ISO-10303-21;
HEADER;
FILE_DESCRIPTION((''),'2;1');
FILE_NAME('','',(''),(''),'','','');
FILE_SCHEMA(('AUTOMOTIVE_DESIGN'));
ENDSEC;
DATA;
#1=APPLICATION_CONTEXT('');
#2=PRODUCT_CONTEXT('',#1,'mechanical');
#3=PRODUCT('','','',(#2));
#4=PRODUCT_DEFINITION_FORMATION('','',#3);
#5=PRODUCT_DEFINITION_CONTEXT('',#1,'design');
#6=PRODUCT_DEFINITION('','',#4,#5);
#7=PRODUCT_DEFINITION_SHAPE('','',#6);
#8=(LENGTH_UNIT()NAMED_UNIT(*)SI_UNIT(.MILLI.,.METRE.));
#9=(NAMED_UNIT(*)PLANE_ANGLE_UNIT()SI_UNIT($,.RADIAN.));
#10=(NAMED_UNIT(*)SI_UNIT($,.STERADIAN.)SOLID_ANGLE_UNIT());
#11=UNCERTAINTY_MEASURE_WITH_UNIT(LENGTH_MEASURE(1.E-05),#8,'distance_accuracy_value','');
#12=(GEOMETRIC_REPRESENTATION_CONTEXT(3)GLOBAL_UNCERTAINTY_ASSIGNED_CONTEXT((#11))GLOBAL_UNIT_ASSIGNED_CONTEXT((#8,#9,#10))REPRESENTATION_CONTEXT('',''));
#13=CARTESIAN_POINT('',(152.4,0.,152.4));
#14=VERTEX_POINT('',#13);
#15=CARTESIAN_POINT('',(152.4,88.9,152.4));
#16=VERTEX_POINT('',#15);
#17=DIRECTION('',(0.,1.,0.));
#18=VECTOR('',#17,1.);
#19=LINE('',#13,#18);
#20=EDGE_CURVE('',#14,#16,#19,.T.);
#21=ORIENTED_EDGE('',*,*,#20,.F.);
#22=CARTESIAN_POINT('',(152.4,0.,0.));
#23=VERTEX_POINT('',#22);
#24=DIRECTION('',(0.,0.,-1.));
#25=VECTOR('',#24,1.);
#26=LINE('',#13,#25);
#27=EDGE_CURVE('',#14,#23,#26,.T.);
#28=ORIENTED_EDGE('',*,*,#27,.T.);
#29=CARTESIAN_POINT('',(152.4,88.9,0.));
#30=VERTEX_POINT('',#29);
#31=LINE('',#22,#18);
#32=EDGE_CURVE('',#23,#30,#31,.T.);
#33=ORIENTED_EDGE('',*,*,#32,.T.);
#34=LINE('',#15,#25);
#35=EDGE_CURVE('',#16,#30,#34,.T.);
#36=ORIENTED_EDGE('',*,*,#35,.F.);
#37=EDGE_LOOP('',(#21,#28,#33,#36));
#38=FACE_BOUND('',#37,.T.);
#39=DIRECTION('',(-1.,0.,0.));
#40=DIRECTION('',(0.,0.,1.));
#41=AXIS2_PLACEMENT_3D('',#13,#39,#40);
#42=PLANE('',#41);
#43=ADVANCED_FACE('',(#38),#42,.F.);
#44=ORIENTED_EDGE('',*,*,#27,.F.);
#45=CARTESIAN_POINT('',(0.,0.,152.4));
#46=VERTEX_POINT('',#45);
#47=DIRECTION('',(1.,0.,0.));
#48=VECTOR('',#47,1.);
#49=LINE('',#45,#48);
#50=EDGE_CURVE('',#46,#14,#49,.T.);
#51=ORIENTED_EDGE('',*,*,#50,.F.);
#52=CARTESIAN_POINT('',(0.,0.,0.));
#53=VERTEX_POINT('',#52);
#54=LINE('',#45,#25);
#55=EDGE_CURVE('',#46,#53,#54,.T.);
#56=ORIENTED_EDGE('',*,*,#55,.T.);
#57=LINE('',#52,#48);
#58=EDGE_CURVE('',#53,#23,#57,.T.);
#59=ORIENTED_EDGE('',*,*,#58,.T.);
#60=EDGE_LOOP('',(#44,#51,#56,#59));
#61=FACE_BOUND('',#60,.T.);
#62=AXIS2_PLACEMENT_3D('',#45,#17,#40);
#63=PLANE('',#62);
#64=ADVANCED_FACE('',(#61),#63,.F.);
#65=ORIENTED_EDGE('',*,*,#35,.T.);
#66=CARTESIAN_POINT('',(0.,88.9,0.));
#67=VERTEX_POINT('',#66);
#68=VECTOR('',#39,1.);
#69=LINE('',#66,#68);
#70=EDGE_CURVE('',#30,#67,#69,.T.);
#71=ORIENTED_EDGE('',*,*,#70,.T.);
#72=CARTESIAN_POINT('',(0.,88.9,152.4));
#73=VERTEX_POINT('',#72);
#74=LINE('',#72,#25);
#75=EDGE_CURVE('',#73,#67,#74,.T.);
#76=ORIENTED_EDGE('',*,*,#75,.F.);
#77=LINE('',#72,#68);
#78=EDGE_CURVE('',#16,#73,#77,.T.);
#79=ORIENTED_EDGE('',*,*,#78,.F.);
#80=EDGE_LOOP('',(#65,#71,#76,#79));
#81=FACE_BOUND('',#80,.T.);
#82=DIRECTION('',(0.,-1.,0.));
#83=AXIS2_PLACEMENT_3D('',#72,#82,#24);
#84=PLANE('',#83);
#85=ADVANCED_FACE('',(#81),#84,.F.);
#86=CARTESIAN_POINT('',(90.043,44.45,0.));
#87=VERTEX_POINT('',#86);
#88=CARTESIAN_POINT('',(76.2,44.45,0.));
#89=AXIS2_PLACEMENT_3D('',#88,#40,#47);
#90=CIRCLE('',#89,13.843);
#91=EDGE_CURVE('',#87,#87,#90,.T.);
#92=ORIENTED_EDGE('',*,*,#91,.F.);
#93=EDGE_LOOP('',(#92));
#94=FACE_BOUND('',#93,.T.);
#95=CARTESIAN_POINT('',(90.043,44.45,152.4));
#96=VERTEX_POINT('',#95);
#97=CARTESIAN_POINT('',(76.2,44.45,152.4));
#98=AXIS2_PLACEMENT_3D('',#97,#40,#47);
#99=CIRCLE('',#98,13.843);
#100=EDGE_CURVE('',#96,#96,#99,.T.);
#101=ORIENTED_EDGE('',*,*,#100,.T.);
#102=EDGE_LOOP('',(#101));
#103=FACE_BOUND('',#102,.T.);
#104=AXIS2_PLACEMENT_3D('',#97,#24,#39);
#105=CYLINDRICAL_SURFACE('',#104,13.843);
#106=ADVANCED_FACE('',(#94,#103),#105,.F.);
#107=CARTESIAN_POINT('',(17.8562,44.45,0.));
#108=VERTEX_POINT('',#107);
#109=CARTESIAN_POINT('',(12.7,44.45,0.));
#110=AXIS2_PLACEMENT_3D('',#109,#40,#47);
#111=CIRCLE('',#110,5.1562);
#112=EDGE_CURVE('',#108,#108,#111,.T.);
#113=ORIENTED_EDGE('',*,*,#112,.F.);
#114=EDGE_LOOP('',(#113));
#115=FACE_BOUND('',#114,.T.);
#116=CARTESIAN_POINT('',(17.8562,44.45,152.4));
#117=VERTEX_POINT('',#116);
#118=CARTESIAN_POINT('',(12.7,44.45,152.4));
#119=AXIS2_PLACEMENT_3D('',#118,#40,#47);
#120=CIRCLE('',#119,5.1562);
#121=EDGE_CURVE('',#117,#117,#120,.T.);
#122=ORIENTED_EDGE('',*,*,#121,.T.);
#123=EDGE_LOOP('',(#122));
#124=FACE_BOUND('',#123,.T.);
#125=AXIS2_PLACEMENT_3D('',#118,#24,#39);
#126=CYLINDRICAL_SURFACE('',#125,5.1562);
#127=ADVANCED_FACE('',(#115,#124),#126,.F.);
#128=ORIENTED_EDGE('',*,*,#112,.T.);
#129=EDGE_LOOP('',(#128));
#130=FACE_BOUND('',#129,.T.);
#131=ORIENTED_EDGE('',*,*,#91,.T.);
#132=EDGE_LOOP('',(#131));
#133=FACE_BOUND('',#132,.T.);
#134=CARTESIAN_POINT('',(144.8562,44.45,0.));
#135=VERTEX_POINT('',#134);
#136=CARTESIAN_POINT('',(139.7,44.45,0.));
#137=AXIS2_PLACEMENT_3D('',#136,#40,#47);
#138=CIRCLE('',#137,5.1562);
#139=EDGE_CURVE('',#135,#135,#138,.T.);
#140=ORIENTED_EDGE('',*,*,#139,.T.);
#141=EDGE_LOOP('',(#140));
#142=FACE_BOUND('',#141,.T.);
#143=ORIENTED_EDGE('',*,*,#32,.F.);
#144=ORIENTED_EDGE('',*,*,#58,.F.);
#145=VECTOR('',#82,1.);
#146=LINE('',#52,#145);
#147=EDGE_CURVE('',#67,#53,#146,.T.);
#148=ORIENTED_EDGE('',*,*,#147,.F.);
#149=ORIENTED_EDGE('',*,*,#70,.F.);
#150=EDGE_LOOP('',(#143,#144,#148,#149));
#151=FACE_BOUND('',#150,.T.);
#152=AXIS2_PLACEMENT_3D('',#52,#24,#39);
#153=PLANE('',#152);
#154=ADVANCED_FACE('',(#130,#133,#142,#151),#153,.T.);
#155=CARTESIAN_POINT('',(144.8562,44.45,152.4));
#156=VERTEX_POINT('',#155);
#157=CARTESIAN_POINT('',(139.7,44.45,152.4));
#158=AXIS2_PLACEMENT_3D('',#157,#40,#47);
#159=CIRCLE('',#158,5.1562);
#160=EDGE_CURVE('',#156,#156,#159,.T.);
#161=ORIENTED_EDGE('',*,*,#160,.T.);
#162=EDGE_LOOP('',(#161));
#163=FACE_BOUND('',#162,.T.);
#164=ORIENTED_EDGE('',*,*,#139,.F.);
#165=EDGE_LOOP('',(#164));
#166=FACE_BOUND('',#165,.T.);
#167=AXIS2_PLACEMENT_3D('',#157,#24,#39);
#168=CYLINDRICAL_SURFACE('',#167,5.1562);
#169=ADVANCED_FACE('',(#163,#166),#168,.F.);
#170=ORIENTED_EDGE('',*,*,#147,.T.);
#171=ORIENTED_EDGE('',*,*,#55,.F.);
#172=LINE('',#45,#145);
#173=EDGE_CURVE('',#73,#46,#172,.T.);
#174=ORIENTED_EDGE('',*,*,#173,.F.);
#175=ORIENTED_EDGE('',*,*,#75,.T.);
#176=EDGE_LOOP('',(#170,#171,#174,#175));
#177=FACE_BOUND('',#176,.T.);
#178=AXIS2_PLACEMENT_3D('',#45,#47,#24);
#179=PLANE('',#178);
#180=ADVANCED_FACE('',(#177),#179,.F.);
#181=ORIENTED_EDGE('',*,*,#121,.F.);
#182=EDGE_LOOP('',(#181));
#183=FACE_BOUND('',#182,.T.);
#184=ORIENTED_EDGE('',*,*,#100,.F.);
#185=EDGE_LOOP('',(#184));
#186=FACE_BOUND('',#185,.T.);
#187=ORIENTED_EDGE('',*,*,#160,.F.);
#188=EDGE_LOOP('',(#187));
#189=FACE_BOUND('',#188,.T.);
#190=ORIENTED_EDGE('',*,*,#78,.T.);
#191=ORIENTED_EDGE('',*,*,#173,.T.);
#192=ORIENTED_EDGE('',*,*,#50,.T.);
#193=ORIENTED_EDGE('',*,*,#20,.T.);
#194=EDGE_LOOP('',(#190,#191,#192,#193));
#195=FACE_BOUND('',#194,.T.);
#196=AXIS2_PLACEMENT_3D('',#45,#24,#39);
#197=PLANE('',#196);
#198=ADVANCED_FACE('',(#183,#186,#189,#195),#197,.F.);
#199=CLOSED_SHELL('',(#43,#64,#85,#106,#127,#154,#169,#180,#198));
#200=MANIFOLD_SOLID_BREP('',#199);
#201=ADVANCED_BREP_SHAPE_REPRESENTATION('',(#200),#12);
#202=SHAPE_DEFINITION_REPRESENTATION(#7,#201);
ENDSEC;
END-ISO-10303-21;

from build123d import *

# Parameters (mm, degrees)
SKETCH1_W           = 152.4
SKETCH1_H           = 88.9
BOSS_EXTRUDE1_DEPTH = 152.4
SKETCH2_R           = 13.843
CUT_EXTRUDE1_DEPTH  = 234.141008834
SKETCH3_R           = 5.1562
CUT_EXTRUDE2_DEPTH  = 234.141008834


with BuildPart() as part:
    # Sketch1 → Boss-Extrude1 (new body)
    with BuildSketch(Plane.XY):
        with Locations((76.2, 44.45)):
            Rectangle(SKETCH1_W, SKETCH1_H)
    extrude(amount=BOSS_EXTRUDE1_DEPTH)

    # Sketch2 → Cut-Extrude1 (cut, through all)
    with BuildSketch(Plane.XY):
        with Locations((76.2, 44.45)):
            Circle(SKETCH2_R)
    extrude(amount=CUT_EXTRUDE1_DEPTH, mode=Mode.SUBTRACT)

    # Sketch3 → Cut-Extrude2 (cut, through all)
    with BuildSketch(Plane.XY):
        with Locations((12.7, 44.45)):
            Circle(SKETCH3_R)
        with Locations((139.7, 44.45)):
            Circle(SKETCH3_R)
    extrude(amount=CUT_EXTRUDE2_DEPTH, mode=Mode.SUBTRACT)


solid = part.part
